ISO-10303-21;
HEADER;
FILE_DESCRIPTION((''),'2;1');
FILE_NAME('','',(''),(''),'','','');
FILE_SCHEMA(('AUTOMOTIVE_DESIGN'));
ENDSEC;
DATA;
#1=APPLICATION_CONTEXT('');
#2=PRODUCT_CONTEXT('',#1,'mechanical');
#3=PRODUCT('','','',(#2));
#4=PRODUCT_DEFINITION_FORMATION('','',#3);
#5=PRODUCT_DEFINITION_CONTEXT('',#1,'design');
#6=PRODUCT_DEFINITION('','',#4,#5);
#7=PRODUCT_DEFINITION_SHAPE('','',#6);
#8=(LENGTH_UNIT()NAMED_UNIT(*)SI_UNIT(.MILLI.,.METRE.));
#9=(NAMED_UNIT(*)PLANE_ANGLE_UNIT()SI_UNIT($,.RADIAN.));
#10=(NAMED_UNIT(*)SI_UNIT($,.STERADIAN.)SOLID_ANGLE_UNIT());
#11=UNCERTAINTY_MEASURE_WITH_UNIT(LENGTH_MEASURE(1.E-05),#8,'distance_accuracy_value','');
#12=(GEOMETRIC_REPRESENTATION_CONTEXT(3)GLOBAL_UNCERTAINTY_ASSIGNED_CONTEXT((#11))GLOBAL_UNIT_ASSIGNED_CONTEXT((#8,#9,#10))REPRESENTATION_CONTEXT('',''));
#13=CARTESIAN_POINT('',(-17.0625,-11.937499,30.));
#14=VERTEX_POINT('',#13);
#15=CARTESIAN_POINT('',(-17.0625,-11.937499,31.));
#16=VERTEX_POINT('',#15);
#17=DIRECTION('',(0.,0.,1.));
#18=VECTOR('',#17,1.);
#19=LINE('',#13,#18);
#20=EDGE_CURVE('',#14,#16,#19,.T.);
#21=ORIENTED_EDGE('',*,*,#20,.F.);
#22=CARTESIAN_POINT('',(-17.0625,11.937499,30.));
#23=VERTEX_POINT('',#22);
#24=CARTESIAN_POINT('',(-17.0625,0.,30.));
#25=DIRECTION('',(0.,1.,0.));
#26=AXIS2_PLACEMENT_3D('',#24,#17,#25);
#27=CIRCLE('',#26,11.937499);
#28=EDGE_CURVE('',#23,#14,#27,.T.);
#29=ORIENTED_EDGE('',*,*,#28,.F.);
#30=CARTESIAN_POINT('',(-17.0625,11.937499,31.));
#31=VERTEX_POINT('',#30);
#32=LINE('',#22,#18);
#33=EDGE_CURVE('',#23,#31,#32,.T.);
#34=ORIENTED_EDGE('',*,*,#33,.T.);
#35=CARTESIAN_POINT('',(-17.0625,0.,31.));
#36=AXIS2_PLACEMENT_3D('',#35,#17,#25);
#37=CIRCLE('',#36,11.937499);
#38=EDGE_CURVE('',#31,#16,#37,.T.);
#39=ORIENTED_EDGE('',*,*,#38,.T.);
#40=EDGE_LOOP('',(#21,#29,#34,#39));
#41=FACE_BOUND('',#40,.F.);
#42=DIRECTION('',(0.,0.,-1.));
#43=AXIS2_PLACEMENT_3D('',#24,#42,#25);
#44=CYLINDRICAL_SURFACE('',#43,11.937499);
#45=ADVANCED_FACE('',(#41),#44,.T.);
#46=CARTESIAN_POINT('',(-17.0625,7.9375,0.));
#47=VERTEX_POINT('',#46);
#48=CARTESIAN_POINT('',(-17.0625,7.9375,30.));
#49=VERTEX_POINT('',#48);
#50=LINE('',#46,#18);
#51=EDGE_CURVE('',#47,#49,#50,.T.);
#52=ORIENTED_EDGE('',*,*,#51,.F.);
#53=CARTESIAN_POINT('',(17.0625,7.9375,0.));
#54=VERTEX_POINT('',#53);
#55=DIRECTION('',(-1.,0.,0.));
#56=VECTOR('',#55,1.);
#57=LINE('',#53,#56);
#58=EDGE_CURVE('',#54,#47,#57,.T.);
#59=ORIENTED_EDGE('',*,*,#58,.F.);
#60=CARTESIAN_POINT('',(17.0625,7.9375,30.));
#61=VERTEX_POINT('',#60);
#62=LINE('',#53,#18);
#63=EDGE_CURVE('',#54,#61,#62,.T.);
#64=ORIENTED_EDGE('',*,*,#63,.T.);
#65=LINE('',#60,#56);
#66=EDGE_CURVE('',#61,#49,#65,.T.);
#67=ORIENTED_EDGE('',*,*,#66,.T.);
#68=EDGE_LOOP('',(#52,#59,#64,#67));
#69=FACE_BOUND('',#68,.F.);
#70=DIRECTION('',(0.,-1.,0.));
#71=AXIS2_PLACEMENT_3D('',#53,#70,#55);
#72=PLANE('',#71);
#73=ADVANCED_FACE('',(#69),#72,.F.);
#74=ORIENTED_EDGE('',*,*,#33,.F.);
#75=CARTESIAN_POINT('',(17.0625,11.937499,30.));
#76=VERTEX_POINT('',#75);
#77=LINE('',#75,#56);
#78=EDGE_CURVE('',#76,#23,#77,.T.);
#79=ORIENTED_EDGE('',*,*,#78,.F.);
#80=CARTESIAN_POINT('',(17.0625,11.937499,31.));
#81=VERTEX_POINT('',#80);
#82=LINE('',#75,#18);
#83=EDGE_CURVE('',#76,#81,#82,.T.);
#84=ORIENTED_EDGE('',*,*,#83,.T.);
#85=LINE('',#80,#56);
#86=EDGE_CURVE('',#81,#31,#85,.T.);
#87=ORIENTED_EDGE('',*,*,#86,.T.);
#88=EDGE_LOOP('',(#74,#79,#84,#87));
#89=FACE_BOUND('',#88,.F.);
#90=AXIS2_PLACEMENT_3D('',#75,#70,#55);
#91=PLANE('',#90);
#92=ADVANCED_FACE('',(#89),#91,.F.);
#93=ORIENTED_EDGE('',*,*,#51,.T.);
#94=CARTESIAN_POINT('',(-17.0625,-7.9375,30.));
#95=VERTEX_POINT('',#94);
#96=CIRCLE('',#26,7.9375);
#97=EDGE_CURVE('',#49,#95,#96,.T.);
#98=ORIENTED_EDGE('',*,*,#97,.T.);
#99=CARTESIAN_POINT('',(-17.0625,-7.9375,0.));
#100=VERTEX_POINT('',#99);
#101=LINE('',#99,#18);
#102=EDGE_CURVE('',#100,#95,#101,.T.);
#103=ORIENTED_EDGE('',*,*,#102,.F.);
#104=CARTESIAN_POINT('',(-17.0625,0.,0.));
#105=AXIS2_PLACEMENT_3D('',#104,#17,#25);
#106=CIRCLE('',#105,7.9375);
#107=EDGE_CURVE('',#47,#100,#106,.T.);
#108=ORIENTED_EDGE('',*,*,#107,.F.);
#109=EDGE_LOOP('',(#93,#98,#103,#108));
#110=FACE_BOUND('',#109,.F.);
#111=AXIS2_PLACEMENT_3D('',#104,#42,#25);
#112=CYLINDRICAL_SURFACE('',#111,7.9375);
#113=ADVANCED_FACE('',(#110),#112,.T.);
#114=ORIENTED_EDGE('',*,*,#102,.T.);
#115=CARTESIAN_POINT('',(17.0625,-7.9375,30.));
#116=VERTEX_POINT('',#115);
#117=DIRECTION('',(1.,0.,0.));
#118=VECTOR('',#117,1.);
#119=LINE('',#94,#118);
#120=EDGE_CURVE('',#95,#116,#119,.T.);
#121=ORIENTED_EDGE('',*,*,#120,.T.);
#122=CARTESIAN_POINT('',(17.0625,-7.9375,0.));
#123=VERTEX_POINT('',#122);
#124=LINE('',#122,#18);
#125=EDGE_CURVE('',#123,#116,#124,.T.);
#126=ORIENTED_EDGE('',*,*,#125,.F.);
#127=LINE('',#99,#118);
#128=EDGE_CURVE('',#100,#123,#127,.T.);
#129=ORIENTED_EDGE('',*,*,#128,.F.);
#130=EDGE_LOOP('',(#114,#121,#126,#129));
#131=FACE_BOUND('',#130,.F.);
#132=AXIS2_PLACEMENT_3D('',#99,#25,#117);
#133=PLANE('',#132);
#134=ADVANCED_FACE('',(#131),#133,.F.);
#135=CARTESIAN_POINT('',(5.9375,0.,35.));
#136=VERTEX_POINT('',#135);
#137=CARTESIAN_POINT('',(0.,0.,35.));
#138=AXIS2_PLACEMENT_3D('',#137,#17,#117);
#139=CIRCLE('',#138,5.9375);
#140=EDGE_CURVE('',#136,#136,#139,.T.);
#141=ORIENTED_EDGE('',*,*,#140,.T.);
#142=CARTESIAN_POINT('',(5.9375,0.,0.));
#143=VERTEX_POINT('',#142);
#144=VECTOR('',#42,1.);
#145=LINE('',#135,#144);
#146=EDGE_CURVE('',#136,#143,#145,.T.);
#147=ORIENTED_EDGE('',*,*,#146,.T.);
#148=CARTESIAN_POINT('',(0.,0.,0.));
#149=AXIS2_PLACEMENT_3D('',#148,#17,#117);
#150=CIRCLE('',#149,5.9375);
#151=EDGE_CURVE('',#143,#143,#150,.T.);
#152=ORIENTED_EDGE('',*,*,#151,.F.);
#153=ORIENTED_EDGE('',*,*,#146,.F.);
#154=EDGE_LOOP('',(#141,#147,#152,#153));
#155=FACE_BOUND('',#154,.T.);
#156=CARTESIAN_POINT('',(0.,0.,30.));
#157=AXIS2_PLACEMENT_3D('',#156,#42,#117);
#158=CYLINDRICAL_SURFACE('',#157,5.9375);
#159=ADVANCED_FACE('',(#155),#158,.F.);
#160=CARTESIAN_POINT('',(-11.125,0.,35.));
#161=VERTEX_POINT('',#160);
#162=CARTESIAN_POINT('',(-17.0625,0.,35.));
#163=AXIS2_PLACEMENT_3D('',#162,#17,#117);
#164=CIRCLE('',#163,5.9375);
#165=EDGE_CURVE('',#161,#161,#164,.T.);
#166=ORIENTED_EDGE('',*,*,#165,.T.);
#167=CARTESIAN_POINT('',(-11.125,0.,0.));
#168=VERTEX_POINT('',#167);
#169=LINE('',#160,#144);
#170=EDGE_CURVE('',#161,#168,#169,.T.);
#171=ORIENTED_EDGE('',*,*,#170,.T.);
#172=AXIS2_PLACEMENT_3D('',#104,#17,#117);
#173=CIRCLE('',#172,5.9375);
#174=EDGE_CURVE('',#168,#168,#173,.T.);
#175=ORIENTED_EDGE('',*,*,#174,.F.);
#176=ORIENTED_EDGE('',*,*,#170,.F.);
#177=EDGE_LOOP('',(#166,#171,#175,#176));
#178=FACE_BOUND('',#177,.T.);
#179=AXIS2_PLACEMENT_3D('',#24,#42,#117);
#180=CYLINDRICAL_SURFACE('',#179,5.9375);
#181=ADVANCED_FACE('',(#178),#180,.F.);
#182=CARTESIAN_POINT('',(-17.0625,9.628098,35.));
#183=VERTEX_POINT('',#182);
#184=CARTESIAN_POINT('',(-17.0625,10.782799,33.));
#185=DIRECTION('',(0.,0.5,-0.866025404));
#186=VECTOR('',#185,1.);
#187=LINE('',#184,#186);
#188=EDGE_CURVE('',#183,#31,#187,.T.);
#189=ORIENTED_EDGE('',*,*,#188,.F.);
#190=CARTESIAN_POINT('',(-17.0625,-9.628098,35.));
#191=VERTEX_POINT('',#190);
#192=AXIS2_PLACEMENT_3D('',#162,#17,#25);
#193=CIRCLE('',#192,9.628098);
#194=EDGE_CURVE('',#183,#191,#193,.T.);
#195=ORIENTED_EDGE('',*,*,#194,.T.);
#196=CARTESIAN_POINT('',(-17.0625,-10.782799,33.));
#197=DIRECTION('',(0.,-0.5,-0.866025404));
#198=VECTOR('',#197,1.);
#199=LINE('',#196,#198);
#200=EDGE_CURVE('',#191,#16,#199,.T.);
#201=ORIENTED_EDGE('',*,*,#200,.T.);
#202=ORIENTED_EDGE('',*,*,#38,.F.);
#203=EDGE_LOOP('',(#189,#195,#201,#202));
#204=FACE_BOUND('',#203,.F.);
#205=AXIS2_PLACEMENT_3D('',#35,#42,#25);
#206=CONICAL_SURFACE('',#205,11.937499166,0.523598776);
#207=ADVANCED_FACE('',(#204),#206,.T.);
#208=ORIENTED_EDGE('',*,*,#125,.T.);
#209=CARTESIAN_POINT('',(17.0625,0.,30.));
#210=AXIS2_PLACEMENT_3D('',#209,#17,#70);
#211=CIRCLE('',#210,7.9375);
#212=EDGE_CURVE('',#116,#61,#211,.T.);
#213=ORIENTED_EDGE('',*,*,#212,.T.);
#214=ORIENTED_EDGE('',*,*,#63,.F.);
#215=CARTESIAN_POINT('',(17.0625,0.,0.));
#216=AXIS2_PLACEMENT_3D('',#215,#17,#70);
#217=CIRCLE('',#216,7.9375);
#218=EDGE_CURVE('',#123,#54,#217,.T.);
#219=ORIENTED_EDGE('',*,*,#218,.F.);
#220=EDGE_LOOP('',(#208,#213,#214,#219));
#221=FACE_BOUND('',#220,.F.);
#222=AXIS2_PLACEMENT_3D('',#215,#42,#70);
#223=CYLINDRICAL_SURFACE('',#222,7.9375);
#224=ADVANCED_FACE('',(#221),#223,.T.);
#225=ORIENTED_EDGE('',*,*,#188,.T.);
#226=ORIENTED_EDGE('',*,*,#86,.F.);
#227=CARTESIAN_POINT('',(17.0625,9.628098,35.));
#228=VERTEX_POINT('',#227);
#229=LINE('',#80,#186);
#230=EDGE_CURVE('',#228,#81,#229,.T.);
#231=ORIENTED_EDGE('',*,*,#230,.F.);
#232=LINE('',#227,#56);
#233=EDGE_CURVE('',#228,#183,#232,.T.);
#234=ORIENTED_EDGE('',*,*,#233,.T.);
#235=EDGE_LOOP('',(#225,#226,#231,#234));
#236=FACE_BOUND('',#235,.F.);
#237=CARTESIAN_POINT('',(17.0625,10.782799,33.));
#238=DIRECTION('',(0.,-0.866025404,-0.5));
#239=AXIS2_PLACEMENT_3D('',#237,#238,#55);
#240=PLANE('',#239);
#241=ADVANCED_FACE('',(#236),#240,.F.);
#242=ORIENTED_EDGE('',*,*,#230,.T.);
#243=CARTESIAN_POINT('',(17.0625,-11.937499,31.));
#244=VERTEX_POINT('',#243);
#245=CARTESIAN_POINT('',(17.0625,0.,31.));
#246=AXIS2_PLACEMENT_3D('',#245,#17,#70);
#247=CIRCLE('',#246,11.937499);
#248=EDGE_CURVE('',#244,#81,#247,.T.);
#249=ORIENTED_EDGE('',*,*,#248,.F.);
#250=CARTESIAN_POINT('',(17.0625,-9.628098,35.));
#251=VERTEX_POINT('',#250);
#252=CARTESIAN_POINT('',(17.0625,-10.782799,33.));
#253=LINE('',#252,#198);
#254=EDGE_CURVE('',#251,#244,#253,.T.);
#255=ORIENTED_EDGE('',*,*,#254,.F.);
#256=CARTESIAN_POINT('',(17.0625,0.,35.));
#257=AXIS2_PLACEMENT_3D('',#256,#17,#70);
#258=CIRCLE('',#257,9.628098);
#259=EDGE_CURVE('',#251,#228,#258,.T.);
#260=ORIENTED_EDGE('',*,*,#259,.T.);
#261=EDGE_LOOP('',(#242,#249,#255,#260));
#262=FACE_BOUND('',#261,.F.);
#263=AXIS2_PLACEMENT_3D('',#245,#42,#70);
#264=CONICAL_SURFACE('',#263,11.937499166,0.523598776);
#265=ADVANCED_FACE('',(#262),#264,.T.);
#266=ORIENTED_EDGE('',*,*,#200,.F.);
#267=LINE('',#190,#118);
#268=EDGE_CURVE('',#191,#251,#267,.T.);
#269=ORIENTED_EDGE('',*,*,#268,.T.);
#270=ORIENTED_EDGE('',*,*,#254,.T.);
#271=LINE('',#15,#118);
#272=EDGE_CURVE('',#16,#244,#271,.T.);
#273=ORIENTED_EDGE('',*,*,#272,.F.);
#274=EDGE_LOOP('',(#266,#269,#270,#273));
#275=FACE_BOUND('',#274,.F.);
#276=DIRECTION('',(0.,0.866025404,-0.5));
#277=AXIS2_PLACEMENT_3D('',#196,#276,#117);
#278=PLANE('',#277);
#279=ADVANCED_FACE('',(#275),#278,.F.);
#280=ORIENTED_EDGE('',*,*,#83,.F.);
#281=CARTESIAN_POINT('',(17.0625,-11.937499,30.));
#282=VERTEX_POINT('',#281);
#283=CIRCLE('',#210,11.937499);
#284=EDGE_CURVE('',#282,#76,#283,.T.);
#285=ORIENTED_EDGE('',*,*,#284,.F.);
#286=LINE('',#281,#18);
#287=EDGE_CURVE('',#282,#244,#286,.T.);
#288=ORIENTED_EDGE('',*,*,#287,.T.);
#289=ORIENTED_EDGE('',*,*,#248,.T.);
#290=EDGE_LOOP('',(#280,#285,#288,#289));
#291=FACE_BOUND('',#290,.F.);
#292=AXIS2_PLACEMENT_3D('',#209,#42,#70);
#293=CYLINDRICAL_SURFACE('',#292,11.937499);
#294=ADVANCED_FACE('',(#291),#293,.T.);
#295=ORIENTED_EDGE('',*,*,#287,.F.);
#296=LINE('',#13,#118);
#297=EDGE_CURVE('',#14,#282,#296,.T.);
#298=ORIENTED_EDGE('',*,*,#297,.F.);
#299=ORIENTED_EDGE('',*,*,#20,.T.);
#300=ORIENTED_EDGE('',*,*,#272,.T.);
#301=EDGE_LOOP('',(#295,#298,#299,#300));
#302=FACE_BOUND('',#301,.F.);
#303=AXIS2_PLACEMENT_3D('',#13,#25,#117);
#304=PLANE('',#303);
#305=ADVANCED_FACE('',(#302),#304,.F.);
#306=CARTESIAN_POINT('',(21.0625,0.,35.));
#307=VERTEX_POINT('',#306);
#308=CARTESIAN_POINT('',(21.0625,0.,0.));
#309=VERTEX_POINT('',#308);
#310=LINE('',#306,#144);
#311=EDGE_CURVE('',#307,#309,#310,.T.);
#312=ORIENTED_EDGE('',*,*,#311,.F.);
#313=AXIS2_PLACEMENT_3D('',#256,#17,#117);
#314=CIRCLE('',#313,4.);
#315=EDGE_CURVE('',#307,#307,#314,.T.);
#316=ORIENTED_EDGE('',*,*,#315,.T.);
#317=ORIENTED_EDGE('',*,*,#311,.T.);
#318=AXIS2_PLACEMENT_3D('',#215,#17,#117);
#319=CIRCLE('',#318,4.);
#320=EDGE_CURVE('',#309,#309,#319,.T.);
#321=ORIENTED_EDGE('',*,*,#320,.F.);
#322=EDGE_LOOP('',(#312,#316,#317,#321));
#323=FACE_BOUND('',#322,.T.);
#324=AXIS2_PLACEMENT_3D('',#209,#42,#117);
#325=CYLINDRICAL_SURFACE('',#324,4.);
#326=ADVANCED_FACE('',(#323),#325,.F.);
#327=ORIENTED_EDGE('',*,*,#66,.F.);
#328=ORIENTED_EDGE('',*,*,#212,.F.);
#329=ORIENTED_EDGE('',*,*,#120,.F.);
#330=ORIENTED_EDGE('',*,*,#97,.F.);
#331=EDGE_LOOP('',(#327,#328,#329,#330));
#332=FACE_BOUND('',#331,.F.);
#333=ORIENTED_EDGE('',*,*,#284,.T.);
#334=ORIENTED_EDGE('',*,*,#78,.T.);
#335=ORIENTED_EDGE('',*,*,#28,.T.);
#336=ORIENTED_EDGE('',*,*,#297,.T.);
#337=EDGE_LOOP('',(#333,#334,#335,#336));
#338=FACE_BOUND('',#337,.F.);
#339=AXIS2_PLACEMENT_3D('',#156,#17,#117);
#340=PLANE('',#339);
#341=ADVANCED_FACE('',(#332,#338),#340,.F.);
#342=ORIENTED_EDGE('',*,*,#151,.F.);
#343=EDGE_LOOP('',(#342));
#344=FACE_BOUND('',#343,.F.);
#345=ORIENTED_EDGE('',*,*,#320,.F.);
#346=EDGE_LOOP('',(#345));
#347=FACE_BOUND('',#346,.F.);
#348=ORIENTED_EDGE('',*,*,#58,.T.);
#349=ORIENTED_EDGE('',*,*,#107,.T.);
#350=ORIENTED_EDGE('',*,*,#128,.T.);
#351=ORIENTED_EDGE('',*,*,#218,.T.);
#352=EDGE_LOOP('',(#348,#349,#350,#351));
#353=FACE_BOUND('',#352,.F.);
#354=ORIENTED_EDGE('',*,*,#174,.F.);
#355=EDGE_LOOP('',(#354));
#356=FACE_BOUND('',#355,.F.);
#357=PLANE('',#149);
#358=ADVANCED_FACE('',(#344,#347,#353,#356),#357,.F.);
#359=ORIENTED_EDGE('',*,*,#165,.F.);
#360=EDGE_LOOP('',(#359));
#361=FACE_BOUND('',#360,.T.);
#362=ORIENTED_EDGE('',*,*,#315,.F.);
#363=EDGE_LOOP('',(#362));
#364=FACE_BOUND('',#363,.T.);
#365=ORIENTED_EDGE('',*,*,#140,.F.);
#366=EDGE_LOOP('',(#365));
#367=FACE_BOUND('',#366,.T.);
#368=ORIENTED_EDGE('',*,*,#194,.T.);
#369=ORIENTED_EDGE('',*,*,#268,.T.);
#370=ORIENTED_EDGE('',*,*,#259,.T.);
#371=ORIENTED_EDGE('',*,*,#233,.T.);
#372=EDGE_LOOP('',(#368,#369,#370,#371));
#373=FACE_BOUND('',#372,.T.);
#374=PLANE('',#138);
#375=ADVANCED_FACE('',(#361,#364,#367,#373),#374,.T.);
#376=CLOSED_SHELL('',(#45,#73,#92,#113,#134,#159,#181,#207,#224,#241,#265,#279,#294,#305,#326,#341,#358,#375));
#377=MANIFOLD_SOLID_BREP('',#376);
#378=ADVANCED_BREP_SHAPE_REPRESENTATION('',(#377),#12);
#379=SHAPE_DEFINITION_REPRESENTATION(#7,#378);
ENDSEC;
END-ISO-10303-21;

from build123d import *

# Parameters (mm, degrees)
F0_R     = 5.9375
F0_R_2   = 5.9375000447
F0_R_3   = 4
F1_DEPTH = 30
F2_R     = 5.9375
F2_R_2   = 5.9375000447
F2_R_3   = 4
F3_DEPTH = 5
F4_SIZE2 = 4
F4_SIZE  = 2.3094010768


with BuildPart() as f1:
    # F0 (on Top) → F1 (new body)
    with BuildSketch(Plane.XY):
        with BuildLine():
            Line((-17.0625, -7.9375), (0, -7.9375))
            Line((0, -7.9375), (17.0625, -7.9375))
            ThreePointArc((17.0625, -7.9375), (25, 0), (17.0625, 7.9375))
            Line((17.0625, 7.9375), (0, 7.9375))
            Line((0, 7.9375), (-17.0625, 7.9375))
            ThreePointArc((-17.0625, 7.9375), (-25, 0), (-17.0625, -7.9375))
        make_face()
        with Locations((-17.0625, 0)):
            Circle(F0_R, mode=Mode.SUBTRACT)
        Circle(F0_R_2, mode=Mode.SUBTRACT)
        with Locations((17.0625, 0)):
            Circle(F0_R_3, mode=Mode.SUBTRACT)
    extrude(amount=F1_DEPTH)

    # F2 (on face) → F3 (join)
    with BuildSketch(Plane.XY.offset(30)):
        with BuildLine():
            ThreePointArc((17.0625, -11.9374991655), (28.9999991655, 0), (17.0625, 11.9374991655))
            Line((17.0625, 11.9374991655), (-17.0625, 11.9374991655))
            ThreePointArc((-17.0625, 11.9374991655), (-28.9999991655, 0), (-17.0625, -11.9374991655))
            Line((-17.0625, -11.9374991655), (17.0625, -11.9374991655))
        make_face()
        with BuildLine():
            ThreePointArc((-17.0625, -7.9375), (-25, 0), (-17.0625, 7.9375))
            Line((-17.0625, 7.9375), (17.0625, 7.9375))
            ThreePointArc((17.0625, 7.9375), (25, 0), (17.0625, -7.9375))
            Line((17.0625, -7.9375), (-17.0625, -7.9375))
        make_face(mode=Mode.SUBTRACT)
        with BuildLine():
            Line((17.0625, 7.9375), (-17.0625, 7.9375))
            ThreePointArc((-17.0625, 7.9375), (-25, 0), (-17.0625, -7.9375))
            Line((-17.0625, -7.9375), (17.0625, -7.9375))
            ThreePointArc((17.0625, -7.9375), (25, 0), (17.0625, 7.9375))
        make_face()
        with Locations((-17.0625, 0)):
            Circle(F2_R, mode=Mode.SUBTRACT)
        Circle(F2_R_2, mode=Mode.SUBTRACT)
        with Locations((17.0625, 0)):
            Circle(F2_R_3, mode=Mode.SUBTRACT)
    extrude(amount=F3_DEPTH)

    # F4
    f4_edges = [f1.edges().sort_by_distance(p)[0] for p in [
        (0, -11.937499, 35),
        (-28.999999, 0, 35),
        (0, 11.937499, 35),
        (28.999999, 0, 35),
    ]]
    f4_side = f1.faces().sort_by_distance((0, 11.310282, 35))[0]
    chamfer(f4_edges, length=F4_SIZE, length2=F4_SIZE2, reference=f4_side)


solid = f1.part
